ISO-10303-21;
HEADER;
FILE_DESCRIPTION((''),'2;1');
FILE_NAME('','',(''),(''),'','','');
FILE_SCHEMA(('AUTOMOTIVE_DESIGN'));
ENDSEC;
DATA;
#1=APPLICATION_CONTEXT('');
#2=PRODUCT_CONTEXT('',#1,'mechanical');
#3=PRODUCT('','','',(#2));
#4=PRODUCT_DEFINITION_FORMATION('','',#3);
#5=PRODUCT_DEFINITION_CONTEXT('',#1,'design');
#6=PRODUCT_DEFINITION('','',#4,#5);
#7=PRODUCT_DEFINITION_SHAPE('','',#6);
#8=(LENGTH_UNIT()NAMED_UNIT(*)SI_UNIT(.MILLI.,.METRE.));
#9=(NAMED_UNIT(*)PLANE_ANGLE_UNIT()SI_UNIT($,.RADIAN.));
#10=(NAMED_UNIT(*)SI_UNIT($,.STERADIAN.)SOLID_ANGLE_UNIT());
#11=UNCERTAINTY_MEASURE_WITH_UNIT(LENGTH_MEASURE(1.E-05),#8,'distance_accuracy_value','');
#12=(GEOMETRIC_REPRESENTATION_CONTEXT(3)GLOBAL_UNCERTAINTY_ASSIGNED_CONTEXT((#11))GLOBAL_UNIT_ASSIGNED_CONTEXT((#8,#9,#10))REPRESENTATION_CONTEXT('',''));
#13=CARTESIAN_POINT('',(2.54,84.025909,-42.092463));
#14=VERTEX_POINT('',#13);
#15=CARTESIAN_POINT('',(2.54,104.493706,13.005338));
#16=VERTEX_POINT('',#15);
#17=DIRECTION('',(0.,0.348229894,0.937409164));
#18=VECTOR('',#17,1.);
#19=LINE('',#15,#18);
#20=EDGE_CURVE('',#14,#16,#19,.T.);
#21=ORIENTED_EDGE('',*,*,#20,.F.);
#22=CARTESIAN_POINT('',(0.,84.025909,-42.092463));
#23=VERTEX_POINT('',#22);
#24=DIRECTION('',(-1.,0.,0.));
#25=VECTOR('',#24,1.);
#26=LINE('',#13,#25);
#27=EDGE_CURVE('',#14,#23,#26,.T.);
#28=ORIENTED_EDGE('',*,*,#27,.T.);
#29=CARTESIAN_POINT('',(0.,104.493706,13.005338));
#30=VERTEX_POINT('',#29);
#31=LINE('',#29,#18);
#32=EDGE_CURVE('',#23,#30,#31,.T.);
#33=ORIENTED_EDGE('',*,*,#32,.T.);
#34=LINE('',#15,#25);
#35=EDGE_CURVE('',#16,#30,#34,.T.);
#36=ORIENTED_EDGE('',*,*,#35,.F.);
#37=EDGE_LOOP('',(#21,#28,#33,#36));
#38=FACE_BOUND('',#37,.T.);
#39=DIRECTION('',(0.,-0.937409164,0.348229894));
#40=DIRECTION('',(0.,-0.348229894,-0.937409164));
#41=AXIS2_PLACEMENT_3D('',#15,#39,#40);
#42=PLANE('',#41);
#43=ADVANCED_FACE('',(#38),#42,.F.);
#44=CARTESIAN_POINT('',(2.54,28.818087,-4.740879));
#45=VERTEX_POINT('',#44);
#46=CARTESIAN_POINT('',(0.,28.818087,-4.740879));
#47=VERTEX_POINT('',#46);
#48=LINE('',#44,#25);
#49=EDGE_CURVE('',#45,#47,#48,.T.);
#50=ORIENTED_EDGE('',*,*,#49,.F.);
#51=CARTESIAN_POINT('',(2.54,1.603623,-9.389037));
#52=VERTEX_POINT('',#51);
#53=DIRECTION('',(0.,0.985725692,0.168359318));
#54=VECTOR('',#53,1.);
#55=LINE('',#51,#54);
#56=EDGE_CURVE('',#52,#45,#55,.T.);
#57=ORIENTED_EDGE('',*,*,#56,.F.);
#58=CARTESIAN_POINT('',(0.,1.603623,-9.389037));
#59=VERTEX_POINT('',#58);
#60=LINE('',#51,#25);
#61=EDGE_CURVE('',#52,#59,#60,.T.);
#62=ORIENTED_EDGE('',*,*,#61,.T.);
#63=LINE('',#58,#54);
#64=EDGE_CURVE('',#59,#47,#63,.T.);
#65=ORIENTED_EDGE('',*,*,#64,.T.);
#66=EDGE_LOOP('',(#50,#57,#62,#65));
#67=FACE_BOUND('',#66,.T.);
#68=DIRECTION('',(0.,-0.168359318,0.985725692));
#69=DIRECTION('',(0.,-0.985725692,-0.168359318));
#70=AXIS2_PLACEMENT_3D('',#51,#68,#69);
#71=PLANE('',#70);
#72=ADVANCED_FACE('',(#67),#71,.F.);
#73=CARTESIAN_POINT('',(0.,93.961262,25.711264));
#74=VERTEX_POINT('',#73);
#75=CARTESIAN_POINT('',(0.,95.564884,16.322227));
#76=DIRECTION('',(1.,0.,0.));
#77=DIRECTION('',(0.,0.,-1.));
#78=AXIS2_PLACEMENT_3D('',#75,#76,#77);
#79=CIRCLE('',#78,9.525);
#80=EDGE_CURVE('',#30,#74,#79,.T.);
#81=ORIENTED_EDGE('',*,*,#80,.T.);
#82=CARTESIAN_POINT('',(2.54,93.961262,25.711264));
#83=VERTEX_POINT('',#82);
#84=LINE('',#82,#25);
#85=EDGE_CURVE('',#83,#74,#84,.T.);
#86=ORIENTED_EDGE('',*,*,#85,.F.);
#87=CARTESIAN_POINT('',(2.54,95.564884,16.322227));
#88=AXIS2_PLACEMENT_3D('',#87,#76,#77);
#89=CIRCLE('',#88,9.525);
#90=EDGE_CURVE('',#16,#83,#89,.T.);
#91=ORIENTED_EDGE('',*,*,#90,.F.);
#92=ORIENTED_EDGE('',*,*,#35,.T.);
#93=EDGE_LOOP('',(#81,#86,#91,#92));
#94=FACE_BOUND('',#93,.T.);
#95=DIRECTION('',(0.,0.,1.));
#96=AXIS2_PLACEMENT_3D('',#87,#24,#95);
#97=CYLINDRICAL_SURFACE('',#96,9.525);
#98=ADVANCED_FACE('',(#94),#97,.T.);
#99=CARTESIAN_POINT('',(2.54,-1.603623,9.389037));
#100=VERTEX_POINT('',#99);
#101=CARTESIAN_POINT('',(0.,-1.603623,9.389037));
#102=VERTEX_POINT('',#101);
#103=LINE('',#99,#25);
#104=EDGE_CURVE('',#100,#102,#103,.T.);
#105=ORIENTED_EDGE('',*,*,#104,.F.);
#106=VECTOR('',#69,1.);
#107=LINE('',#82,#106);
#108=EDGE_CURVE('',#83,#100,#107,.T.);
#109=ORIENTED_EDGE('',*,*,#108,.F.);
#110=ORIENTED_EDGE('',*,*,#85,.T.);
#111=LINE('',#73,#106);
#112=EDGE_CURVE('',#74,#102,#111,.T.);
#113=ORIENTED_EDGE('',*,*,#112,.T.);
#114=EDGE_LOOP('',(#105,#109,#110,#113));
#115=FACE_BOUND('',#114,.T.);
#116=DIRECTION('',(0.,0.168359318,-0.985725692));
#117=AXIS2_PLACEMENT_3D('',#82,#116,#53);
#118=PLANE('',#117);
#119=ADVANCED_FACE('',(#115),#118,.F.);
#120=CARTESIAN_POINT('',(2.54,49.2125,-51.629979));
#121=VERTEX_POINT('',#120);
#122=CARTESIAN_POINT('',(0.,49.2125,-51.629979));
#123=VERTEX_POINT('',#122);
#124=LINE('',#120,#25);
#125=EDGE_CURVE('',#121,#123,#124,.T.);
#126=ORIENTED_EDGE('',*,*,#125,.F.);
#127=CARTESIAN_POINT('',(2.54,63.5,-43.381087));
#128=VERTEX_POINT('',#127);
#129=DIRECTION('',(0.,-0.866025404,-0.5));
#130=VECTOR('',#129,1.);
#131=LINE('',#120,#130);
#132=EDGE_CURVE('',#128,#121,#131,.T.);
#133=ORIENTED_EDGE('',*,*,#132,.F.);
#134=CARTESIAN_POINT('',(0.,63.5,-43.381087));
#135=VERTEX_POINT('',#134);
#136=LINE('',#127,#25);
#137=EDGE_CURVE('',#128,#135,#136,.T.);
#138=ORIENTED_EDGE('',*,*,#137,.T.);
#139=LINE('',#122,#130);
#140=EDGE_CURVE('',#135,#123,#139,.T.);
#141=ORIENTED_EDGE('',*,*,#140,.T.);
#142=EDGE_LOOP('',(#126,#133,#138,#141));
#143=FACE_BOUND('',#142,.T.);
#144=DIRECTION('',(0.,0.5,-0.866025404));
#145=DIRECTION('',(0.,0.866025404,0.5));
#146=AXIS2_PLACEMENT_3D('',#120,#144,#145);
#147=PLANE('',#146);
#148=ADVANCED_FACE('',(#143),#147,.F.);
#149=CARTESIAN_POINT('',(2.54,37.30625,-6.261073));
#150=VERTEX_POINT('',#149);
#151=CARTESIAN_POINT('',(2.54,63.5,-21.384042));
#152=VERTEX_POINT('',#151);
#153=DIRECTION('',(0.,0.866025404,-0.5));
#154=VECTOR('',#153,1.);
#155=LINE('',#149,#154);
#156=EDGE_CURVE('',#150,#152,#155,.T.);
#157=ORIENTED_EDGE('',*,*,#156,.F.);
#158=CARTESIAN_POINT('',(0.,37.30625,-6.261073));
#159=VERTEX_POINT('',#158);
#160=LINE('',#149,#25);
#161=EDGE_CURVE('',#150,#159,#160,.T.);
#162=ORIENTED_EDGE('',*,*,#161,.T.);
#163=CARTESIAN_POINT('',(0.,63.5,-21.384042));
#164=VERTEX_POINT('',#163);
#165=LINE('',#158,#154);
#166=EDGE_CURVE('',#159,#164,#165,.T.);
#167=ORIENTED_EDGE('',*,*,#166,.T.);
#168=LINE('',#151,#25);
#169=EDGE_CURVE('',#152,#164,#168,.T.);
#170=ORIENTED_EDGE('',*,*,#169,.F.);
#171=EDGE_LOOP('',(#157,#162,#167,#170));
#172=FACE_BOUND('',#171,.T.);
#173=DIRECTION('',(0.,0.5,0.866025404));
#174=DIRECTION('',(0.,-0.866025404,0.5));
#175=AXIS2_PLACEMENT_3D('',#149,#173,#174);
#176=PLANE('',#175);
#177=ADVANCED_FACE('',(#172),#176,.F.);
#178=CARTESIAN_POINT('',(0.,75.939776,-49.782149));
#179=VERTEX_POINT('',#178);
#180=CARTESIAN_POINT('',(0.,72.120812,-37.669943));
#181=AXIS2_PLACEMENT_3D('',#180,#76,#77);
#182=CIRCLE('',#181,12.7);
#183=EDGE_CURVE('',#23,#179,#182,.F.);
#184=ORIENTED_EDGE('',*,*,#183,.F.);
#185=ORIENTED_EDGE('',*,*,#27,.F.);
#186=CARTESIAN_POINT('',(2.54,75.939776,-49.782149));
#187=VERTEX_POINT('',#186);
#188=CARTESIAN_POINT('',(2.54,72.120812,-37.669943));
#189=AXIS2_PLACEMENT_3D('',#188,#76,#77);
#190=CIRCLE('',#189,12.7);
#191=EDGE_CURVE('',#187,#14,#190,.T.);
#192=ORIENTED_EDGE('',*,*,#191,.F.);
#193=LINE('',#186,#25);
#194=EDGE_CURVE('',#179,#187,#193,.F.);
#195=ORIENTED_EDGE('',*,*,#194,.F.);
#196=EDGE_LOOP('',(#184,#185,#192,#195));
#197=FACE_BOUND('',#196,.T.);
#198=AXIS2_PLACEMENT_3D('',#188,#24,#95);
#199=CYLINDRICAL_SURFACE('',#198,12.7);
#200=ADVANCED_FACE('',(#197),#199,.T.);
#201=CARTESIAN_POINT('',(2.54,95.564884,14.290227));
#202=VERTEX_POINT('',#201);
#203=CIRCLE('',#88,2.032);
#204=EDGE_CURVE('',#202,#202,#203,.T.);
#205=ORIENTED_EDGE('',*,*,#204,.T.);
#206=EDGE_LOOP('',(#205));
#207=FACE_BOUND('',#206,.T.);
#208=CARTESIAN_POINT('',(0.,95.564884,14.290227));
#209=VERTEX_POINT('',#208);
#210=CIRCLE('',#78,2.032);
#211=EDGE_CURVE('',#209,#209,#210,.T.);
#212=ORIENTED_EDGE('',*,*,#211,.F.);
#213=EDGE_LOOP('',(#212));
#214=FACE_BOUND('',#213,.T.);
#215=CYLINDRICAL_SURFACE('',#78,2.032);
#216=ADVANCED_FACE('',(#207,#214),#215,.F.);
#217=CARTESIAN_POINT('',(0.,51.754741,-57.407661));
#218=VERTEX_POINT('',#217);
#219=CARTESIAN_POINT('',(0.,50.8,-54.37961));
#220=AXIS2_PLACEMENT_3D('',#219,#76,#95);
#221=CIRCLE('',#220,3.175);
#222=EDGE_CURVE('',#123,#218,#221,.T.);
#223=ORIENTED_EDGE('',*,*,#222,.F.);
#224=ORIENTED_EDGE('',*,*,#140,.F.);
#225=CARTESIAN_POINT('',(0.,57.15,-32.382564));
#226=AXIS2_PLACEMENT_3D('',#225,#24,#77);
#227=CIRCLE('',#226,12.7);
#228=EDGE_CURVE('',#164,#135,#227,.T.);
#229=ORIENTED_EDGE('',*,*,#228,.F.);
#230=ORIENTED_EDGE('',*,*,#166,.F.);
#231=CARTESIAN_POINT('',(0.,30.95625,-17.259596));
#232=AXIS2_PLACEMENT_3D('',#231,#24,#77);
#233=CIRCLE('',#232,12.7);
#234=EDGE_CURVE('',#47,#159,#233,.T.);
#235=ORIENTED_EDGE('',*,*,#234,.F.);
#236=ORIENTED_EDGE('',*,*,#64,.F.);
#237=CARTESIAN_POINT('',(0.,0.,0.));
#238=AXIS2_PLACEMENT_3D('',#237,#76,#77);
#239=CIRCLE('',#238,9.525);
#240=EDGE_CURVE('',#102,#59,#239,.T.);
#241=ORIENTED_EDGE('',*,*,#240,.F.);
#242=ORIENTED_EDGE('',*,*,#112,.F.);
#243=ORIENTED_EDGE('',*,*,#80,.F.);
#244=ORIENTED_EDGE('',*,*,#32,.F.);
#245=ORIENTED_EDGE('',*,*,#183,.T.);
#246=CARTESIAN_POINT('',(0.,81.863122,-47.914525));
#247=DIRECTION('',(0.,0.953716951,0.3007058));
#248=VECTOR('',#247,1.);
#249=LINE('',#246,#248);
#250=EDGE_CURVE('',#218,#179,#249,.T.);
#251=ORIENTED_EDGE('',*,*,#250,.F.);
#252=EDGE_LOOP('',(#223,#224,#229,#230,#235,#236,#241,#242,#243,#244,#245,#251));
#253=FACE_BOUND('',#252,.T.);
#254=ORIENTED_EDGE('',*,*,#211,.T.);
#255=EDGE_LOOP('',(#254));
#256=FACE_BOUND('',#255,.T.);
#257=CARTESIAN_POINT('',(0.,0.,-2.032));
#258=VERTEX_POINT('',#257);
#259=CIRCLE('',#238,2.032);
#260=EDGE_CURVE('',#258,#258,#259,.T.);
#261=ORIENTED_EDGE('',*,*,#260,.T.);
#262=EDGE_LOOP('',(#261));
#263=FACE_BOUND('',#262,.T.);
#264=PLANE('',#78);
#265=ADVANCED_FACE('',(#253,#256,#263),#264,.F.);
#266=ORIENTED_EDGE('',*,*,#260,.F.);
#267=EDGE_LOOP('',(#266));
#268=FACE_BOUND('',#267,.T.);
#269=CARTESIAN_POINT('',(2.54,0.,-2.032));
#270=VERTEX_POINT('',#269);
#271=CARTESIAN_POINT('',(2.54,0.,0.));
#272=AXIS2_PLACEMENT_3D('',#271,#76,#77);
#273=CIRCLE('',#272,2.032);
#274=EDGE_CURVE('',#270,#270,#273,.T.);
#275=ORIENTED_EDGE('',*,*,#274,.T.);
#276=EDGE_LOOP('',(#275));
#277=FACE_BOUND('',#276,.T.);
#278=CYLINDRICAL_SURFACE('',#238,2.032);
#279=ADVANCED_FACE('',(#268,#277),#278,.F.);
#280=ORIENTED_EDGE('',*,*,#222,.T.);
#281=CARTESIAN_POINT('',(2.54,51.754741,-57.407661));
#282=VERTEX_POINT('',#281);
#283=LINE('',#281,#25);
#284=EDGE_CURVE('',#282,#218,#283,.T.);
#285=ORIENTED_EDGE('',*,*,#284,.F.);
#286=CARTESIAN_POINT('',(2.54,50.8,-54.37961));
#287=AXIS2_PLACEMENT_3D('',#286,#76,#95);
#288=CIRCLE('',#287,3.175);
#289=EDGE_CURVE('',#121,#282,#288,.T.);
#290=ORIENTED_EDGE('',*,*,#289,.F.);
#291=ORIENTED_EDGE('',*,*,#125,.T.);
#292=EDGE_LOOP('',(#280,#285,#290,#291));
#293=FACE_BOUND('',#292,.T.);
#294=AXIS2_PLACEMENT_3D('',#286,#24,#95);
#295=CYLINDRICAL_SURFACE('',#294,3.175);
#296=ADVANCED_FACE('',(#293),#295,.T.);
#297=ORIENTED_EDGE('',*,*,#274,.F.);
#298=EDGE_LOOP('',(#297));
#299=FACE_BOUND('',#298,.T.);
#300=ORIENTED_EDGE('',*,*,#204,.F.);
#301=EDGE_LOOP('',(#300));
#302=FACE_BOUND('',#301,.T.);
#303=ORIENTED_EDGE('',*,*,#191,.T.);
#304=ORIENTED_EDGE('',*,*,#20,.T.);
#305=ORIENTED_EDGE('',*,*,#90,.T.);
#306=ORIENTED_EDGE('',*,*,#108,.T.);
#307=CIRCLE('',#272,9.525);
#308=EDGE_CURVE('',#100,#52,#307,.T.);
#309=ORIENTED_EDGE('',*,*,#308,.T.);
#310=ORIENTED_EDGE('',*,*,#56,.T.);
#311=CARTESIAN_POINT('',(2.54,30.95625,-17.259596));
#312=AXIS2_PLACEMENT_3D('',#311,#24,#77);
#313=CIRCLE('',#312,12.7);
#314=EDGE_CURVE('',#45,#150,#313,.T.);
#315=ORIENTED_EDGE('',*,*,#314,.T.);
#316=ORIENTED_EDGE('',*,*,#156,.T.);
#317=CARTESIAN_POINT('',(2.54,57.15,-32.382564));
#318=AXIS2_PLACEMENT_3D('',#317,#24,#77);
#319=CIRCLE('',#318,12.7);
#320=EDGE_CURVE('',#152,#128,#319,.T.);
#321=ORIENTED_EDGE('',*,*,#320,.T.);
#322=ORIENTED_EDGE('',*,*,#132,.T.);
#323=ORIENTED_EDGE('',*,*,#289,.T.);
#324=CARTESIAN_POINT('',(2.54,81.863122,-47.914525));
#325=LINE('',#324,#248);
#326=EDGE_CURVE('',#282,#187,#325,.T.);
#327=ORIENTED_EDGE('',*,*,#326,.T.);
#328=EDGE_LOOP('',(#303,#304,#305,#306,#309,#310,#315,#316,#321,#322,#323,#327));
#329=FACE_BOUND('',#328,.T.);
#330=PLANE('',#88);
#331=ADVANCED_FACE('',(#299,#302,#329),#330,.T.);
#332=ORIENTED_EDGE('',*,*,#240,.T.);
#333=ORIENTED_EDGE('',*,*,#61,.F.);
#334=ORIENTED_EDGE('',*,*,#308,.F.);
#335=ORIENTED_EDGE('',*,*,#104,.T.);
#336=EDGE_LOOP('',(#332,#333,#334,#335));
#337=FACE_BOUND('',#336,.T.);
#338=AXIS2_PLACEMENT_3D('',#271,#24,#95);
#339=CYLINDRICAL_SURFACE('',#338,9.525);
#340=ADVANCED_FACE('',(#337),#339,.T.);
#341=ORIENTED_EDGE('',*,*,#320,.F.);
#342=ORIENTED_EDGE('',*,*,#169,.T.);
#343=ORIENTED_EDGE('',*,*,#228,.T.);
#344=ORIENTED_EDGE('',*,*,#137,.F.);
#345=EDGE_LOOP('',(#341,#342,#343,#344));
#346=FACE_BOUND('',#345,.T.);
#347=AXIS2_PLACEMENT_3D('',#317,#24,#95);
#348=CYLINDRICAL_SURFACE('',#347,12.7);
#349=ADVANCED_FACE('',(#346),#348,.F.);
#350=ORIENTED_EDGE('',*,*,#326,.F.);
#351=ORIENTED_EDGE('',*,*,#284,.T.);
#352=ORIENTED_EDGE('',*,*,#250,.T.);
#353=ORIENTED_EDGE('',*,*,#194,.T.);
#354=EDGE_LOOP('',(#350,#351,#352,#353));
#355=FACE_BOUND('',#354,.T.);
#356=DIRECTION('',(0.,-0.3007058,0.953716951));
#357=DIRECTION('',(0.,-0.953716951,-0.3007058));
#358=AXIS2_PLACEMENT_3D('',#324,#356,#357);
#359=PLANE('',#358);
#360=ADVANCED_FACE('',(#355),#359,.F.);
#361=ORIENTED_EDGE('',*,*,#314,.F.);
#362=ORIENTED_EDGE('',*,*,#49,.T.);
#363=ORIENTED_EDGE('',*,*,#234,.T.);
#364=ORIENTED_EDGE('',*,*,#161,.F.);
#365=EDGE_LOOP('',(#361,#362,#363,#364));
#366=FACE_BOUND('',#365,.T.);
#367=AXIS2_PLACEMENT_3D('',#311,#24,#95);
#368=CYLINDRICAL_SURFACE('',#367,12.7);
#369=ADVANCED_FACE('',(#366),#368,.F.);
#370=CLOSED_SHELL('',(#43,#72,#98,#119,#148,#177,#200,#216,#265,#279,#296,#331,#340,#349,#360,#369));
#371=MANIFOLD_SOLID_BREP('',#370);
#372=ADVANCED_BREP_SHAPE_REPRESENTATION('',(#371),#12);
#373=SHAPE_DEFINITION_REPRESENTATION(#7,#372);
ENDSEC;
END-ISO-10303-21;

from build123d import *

# Parameters (mm, degrees)
BOSS_EXTRUDE1_DEPTH = 2.54
SKETCH2_R           = 2.032
CUT_EXTRUDE1_DEPTH  = 120.845185189
FILLET1_R           = 12.7


with BuildPart() as part:
    # Sketch1 → Boss-Extrude1 (new body)
    with BuildSketch(Plane(origin=(0, 0, 0), x_dir=(0, 0, -1), z_dir=(1, 0, 0))):
        with BuildLine():
            Line((-25.711264461, 93.961261583), (-9.389037217, -1.603622507))
            ThreePointArc((-9.389037217, -1.603622507), (1.603622507, -9.389037217), (9.389037217, 1.603622507))
            Line((9.389037217, 1.603622507), (4.740879345, 28.818086661))
            ThreePointArc((4.740879345, 28.818086661), (4.758501249, 33.195142409), (6.261073005, 37.306250004))
            Line((6.261073005, 37.306250004), (21.384041616, 63.5))
            ThreePointArc((21.384041616, 63.5), (32.382564244, 69.85), (43.381086873, 63.5))
            Line((43.381086873, 63.5), (51.629978844, 49.2125))
            ThreePointArc((51.629978844, 49.2125), (55.658330241, 47.893886054), (57.407660819, 51.754740913))
            Line((57.407660819, 51.754740913), (47.914524724, 81.863122013))
            Line((47.914524724, 81.863122013), (-13.005337503, 104.493706378))
            ThreePointArc((-13.005337503, 104.493706378), (-22.400947675, 102.898013226), (-25.711264461, 93.961261583))
        make_face()
    extrude(amount=BOSS_EXTRUDE1_DEPTH)

    # Sketch2 → Cut-Extrude1 (cut, through all)
    with BuildSketch(Plane(origin=(2.54, 0, 0), x_dir=(0, 0, -1), z_dir=(1, 0, 0))):
        Circle(SKETCH2_R)
        with Locations((-16.322227244, 95.56488409)):
            Circle(SKETCH2_R)
    extrude(amount=-CUT_EXTRUDE1_DEPTH, mode=Mode.SUBTRACT)

    # Fillet1
    fillet1_edges = [part.edges().sort_by_distance(p)[0] for p in [
        (1.27, 81.863122013, -47.914524724),
    ]]
    fillet(fillet1_edges, radius=FILLET1_R)


solid = part.part
